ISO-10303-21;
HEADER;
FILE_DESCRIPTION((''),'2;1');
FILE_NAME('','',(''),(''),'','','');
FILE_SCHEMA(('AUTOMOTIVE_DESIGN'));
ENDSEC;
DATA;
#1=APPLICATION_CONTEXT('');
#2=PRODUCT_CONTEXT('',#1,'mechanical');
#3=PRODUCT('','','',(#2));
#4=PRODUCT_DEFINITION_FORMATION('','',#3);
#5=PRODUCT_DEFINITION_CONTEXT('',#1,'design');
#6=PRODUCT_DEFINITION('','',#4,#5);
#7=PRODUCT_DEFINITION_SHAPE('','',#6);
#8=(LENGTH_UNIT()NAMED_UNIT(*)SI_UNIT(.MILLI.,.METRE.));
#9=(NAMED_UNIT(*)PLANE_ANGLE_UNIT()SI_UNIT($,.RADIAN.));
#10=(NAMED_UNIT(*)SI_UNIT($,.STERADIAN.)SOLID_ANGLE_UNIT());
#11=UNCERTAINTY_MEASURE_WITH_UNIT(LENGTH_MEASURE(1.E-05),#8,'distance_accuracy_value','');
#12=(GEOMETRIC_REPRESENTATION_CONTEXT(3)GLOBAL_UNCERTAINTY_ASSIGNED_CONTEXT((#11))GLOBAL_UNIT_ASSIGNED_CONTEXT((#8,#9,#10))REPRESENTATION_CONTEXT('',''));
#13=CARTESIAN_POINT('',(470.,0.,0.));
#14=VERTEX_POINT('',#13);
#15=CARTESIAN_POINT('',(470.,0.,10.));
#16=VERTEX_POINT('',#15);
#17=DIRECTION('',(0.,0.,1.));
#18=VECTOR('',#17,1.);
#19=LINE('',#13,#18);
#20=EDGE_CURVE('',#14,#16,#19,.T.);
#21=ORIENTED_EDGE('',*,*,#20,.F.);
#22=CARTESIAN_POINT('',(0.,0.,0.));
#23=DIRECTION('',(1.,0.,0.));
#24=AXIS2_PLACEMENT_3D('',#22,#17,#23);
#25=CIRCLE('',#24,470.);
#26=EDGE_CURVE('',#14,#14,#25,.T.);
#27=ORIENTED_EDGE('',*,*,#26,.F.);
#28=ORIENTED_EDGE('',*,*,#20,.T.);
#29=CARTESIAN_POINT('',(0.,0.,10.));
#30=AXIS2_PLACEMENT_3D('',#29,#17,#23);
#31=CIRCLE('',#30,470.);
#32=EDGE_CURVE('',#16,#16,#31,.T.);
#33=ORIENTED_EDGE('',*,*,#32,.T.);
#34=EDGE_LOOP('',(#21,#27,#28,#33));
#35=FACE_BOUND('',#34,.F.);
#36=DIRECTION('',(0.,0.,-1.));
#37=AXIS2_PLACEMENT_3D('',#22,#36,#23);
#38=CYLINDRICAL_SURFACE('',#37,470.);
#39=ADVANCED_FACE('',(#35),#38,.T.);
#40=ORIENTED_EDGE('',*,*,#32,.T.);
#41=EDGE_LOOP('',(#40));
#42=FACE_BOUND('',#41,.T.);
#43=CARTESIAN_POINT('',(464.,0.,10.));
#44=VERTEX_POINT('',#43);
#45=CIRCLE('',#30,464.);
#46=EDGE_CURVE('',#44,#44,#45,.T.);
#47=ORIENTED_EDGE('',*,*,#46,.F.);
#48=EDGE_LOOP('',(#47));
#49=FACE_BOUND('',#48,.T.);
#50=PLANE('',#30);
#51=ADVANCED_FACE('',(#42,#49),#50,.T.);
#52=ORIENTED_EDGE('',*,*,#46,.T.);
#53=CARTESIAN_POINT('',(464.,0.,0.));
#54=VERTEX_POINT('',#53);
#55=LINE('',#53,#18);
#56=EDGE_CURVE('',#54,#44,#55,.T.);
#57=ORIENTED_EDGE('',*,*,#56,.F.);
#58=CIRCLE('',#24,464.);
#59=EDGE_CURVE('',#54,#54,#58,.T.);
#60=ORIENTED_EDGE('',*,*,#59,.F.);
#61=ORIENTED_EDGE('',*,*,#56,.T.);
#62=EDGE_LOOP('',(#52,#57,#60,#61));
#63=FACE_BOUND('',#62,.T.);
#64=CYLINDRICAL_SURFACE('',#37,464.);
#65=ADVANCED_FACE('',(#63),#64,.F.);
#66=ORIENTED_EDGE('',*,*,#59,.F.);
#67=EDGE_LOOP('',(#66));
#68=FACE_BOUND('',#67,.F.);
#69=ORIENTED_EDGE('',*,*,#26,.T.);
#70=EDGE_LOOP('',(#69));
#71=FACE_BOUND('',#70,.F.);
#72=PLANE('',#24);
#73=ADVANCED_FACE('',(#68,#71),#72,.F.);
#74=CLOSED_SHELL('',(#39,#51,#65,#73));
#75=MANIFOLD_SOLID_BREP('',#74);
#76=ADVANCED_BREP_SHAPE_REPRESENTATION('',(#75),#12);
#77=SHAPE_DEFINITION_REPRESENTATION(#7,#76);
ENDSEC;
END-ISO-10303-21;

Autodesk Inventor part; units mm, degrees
ref_plane "YZ Plane" through (0, 0, 0) normal (1, 0, 0) x (0, 1, 0)
ref_plane "XZ Plane" through (0, 0, 0) normal (0, 1, 0) x (-1, 0, 0)
ref_plane "XY Plane" through (0, 0, 0) normal (0, 0, 1) x (1, 0, 0)
sketch "Sketch1" plane through (0, 0, 0) normal (0, 0, 1) x (1, 0, 0)
  circle A0 centre (0, 0) radius 470
  circle A1 centre (0, 0) radius 464
  dimension "d0" = 940
  dimension "d1" = 6
extrude "Extrusion1" add sketch "Sketch1" along normal blind 10
sketch "Sketch2" plane through (0, 0, 0) normal (0, 0, 1) x (1, 0, 0)
  circle A0 centre (-90, -87.958) radius 95
  circle A1 centre (-250, -87.958) radius 95
  circle A2 centre (-400, -87.958) radius 95
  circle A3 centre (-130, -210) radius 95
  circle A4 centre (-315, -210) radius 95
  circle A5 centre (-220, -340) radius 95
  line L0 (0, -87.958) -> (-400, -87.958)
  line L1 (0, 0) -> (0, -487.8658)
  line L2 (0, -340) -> (-220, -340)
  line L3 (0, -210) -> (-315, -210)
  circle A6 centre (-90, -340) radius 95
  line L4 (87.4849, 38.1849) -> (90.8389, 440.6653)
  line L5 (212.1333, 37.1461) -> (212.1333, 380.2933)
  line L6 (330.7447, 36.1577) -> (330.7447, 284.5726)
  dimension "d8" = 210
  dimension "d9" = 340
  dimension "d11" = 90
  dimension "d12" = 250
  dimension "d13" = 400
  dimension "d16" = 130
  dimension "d17" = 315
  dimension "d18" = 90
  dimension "d19" = 220
sketch "Sketch3" plane through (0, 0, 0) normal (0, 0, 1) x (1, 0, 0)
  circle A0 centre (-104.0992, -233.3488) radius 95
  circle A1 centre (-161.9131, -395.3117) radius 95
  circle A2 centre (-91.7953, -514.3257) radius 95
  circle A3 centre (-280.9346, -260.412) radius 95
  circle A4 centre (-299.5406, -418.8761) radius 95
  circle A5 centre (-250.7395, 99.5106) radius 95
  circle A6 centre (-395.8303, 87.9315) radius 95
  circle A7 centre (-535.2648, 91.0733) radius 95
  circle A8 centre (-460.3613, -287.8718) radius 95
  circle A9 centre (-531.2922, -111.9436) radius 95
  circle A10 centre (-392.3143, -102.4845) radius 95
  circle A11 centre (0, 0) radius 542.9574 construction
  circle A12 centre (-253.2201, -93.0176) radius 95
  circle A13 centre (-90.4998, -81.9426) radius 95
  circle A14 centre (85.6841, -88.1302) radius 95
  circle A15 centre (-90.4998, 88.0537) radius 95
  circle A16 centre (0, 0) radius 405.4794 construction
  circle A17 centre (0, 0) radius 269.7641 construction
  circle A18 centre (85.6841, 88.0537) radius 95
  line L0 (0, 0) -> (0, -542.9574)
  line L1 (0, -75.783) -> (-531.2922, -111.9436)
  line L2 (0, -217.4173) -> (-460.3613, -287.8718)
  circle A19 centre (0, 0) radius 600
  line L3 (0, -367.5891) -> (-299.5406, -418.8761)
  line L4 (-91.7953, -514.3257) -> (0, -514.3257)
  point P0 (0, 0)
  dimension "d21" = 190
  dimension "d22" = 1200
equation "\"BendRadius\" = Thickness"
equation "\"BendReliefWidth\" = Thickness"
equation "\"BendReliefDepth\" = 0.5 * Thickness"
equation "\"CornerReliefSize\" = 4 * Thickness"
equation "\"MinimumRemnant\" = 2 * Thickness"
equation "\"TransitionRadius\" = BendRadius"
equation "\"JacobiRadiusSize\" = BendRadius"
equation "\"GapSize\" = Thickness"
equation "\"way_tube_L1\" = 1"
equation "\"way_tube_L2\" = 1"
equation "\"way_tube_L3\" = 1"
equation "\"way_tube_L4\" = 1"
equation "\"way_tube_L5\" = 120"
equation "\"way_tube_L6\" = 90"
equation "\"way_tube_L7\" = 20"
equation "\"way_tube_L8\" = 90"
equation "\"way_tube_L9\" = 80"
equation "\"way_tube_L10\" = 80"
equation "\"Thickness\" = 3.048"
properties part number "PRS 1699 DIM filter-distribution-system_D1200"
